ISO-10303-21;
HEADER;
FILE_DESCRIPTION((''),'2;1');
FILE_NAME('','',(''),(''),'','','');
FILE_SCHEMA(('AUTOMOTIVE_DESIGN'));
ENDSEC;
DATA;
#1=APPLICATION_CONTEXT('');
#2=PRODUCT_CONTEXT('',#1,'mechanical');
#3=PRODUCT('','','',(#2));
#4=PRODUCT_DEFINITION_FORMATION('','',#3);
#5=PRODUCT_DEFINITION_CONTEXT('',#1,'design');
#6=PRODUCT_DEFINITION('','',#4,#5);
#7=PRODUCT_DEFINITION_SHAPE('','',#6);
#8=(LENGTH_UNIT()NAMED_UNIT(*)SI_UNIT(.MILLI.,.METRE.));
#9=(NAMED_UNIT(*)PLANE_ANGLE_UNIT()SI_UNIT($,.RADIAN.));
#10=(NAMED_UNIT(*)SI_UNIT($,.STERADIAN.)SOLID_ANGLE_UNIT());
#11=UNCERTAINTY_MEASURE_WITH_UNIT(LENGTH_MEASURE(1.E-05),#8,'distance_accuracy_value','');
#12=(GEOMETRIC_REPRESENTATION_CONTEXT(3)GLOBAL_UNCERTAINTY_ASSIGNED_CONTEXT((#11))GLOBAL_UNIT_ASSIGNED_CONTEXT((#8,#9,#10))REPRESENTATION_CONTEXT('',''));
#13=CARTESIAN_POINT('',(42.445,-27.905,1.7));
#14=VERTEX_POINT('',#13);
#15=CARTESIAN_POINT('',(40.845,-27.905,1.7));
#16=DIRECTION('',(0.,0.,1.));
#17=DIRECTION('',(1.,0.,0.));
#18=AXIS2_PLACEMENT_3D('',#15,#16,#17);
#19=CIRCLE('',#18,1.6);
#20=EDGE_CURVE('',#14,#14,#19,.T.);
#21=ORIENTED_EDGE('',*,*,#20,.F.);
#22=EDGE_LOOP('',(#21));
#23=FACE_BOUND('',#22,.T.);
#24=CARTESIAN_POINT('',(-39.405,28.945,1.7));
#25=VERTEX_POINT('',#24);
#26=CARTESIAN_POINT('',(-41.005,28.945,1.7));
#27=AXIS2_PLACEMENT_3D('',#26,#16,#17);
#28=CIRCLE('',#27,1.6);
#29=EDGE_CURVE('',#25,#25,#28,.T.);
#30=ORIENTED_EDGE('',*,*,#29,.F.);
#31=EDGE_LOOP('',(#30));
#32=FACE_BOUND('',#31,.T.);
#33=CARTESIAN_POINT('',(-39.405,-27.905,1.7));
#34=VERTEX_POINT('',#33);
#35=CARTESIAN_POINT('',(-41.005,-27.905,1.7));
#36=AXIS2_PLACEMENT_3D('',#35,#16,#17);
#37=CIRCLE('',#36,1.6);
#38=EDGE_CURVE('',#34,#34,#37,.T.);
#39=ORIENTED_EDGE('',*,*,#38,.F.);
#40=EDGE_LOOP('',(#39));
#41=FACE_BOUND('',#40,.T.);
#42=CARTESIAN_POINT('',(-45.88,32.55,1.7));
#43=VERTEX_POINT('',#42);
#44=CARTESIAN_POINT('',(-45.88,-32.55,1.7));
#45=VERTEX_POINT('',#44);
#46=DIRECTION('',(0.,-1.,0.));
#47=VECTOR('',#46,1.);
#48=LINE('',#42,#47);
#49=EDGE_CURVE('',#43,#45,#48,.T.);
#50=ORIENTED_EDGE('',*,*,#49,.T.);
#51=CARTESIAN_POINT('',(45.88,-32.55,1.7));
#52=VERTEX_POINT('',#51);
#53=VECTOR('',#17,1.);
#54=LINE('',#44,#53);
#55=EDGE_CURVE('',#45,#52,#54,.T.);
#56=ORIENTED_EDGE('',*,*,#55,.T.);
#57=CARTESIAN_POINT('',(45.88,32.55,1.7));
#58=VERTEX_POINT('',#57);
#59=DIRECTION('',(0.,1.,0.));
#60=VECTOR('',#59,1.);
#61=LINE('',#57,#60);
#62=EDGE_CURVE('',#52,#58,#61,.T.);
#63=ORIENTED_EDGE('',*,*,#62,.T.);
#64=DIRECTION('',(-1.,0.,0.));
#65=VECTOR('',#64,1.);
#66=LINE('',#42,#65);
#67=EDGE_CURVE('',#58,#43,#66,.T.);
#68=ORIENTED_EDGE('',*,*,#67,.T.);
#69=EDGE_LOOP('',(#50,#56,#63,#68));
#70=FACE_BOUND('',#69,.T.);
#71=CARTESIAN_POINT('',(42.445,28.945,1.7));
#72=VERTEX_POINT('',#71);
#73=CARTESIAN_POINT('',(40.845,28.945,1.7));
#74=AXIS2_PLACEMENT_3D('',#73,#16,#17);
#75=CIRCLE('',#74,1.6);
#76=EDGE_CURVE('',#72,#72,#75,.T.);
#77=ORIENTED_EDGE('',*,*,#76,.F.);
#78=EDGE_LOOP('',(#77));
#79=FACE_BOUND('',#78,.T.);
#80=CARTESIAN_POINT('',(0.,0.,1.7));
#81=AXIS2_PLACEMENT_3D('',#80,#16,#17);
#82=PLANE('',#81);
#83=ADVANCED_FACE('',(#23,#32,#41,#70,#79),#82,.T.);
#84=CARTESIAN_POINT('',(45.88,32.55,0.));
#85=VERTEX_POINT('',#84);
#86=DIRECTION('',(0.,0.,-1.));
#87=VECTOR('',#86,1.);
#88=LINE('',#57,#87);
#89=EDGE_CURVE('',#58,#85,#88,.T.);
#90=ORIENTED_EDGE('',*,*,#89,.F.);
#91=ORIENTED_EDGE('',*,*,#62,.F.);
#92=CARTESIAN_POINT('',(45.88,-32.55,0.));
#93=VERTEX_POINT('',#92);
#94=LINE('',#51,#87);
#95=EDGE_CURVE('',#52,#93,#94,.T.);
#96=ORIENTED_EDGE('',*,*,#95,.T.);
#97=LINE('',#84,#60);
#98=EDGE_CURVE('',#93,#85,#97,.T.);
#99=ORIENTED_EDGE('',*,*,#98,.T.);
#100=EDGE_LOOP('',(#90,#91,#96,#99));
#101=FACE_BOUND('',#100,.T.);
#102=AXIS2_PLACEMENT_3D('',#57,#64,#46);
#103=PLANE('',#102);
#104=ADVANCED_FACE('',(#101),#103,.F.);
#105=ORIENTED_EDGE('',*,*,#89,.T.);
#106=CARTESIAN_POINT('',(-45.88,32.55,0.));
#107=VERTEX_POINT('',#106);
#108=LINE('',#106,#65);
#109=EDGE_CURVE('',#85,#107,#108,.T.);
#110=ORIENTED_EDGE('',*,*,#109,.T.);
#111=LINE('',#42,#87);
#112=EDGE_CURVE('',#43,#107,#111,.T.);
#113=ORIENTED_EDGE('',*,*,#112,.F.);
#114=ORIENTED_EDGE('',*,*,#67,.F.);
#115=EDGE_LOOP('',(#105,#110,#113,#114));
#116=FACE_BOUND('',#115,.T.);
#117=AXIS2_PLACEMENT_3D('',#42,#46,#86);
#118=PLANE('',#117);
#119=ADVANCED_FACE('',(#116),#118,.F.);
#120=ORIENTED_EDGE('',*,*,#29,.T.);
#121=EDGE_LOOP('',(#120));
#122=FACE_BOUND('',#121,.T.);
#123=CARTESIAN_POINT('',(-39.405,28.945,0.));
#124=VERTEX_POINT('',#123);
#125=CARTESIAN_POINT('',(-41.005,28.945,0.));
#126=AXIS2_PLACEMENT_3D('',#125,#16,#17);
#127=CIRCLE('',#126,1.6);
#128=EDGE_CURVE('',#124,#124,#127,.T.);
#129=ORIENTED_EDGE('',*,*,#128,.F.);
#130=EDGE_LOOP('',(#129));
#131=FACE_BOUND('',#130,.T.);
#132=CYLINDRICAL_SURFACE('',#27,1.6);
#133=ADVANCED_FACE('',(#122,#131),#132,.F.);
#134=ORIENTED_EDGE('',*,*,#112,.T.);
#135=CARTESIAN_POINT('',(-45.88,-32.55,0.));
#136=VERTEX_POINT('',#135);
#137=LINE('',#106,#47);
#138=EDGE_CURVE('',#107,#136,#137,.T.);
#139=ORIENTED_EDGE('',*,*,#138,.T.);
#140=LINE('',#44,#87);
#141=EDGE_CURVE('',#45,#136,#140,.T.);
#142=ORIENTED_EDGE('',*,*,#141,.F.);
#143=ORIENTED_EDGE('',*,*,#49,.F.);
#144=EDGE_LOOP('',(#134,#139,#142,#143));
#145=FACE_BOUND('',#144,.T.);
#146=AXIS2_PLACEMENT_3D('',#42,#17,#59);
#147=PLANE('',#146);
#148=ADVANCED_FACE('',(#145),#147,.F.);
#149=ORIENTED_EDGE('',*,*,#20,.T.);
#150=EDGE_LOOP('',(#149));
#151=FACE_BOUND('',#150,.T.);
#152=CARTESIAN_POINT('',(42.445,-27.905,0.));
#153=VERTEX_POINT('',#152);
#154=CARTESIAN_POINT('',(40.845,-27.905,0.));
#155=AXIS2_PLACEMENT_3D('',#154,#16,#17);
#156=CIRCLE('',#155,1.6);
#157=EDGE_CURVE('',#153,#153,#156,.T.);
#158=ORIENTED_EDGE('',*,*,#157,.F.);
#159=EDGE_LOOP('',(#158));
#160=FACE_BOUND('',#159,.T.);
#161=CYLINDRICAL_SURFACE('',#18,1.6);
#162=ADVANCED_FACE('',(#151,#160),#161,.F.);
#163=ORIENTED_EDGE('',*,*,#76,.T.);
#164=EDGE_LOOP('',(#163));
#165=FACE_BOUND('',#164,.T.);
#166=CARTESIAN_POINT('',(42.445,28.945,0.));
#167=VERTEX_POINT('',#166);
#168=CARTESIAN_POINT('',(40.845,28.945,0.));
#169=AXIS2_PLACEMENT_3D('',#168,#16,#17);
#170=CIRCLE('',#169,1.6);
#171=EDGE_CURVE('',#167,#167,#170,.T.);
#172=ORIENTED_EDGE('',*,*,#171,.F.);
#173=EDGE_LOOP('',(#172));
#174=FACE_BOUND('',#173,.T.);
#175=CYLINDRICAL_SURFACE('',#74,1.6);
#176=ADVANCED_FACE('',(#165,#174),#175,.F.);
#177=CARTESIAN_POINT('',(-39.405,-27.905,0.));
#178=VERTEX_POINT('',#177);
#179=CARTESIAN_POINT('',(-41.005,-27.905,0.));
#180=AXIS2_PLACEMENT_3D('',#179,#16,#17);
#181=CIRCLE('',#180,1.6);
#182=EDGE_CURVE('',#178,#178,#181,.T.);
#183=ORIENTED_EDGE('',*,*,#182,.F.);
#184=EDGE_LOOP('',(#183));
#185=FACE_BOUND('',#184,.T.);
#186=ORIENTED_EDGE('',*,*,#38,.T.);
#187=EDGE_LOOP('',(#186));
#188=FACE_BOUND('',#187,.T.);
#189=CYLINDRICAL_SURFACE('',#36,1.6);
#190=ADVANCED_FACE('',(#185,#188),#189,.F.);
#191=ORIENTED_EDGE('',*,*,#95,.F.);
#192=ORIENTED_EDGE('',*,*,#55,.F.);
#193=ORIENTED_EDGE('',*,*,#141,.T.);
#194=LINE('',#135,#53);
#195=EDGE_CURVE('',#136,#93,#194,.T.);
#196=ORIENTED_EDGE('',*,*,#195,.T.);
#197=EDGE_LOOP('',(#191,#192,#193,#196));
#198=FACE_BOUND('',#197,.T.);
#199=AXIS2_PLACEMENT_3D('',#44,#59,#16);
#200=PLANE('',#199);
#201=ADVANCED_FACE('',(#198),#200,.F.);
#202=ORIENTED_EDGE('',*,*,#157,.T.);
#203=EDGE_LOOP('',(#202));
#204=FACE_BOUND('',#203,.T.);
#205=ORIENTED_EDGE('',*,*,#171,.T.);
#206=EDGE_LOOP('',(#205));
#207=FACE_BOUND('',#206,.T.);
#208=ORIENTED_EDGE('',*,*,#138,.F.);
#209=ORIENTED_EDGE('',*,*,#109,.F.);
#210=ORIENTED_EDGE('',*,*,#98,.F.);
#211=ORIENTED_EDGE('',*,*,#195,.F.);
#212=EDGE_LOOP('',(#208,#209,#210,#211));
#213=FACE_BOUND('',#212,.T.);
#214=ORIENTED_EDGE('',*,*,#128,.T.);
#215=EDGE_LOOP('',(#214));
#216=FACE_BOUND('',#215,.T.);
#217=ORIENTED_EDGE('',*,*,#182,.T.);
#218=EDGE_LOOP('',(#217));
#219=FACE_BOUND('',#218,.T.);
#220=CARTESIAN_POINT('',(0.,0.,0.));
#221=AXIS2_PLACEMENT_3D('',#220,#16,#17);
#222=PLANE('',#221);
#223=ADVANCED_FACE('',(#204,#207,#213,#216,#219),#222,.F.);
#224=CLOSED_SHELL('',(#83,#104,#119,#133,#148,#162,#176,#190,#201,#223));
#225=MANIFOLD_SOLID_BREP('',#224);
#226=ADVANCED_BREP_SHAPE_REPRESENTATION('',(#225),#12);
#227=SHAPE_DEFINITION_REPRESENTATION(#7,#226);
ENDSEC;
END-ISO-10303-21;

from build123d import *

# Parameters (mm, degrees)
SZKIC1_W                    = 91.76
SZKIC1_H                    = 65.1
DODANIE_WYCI_GNI_CIE1_DEPTH = 1.7
OTW_R_3_2_3_2_1_D           = 3.2
OTW_R_3_2_3_2_1_DEPTH       = 6
OTW_R_3_2_3_2_1_TIP         = 0.96137699


with BuildPart() as part:
    # Szkic1 → Dodanie-wyciągnięcie1 (new body)
    with BuildSketch(Plane.XY):
        Rectangle(SZKIC1_W, SZKIC1_H)
    extrude(amount=DODANIE_WYCI_GNI_CIE1_DEPTH)

    # Otwór Ø3.2 (3.2)1
    with Locations(Plane.XY.offset(1.7)):
        with Locations((-41.005, 28.945), (40.845, 28.945), (40.845, -27.905), (-41.005, -27.905)):
            Hole(OTW_R_3_2_3_2_1_D / 2, depth=OTW_R_3_2_3_2_1_DEPTH)
            with Locations((0, 0, -(OTW_R_3_2_3_2_1_DEPTH + OTW_R_3_2_3_2_1_TIP / 2))):  # 118° drill point
                Cone(0, OTW_R_3_2_3_2_1_D / 2, OTW_R_3_2_3_2_1_TIP, mode=Mode.SUBTRACT)


solid = part.part
